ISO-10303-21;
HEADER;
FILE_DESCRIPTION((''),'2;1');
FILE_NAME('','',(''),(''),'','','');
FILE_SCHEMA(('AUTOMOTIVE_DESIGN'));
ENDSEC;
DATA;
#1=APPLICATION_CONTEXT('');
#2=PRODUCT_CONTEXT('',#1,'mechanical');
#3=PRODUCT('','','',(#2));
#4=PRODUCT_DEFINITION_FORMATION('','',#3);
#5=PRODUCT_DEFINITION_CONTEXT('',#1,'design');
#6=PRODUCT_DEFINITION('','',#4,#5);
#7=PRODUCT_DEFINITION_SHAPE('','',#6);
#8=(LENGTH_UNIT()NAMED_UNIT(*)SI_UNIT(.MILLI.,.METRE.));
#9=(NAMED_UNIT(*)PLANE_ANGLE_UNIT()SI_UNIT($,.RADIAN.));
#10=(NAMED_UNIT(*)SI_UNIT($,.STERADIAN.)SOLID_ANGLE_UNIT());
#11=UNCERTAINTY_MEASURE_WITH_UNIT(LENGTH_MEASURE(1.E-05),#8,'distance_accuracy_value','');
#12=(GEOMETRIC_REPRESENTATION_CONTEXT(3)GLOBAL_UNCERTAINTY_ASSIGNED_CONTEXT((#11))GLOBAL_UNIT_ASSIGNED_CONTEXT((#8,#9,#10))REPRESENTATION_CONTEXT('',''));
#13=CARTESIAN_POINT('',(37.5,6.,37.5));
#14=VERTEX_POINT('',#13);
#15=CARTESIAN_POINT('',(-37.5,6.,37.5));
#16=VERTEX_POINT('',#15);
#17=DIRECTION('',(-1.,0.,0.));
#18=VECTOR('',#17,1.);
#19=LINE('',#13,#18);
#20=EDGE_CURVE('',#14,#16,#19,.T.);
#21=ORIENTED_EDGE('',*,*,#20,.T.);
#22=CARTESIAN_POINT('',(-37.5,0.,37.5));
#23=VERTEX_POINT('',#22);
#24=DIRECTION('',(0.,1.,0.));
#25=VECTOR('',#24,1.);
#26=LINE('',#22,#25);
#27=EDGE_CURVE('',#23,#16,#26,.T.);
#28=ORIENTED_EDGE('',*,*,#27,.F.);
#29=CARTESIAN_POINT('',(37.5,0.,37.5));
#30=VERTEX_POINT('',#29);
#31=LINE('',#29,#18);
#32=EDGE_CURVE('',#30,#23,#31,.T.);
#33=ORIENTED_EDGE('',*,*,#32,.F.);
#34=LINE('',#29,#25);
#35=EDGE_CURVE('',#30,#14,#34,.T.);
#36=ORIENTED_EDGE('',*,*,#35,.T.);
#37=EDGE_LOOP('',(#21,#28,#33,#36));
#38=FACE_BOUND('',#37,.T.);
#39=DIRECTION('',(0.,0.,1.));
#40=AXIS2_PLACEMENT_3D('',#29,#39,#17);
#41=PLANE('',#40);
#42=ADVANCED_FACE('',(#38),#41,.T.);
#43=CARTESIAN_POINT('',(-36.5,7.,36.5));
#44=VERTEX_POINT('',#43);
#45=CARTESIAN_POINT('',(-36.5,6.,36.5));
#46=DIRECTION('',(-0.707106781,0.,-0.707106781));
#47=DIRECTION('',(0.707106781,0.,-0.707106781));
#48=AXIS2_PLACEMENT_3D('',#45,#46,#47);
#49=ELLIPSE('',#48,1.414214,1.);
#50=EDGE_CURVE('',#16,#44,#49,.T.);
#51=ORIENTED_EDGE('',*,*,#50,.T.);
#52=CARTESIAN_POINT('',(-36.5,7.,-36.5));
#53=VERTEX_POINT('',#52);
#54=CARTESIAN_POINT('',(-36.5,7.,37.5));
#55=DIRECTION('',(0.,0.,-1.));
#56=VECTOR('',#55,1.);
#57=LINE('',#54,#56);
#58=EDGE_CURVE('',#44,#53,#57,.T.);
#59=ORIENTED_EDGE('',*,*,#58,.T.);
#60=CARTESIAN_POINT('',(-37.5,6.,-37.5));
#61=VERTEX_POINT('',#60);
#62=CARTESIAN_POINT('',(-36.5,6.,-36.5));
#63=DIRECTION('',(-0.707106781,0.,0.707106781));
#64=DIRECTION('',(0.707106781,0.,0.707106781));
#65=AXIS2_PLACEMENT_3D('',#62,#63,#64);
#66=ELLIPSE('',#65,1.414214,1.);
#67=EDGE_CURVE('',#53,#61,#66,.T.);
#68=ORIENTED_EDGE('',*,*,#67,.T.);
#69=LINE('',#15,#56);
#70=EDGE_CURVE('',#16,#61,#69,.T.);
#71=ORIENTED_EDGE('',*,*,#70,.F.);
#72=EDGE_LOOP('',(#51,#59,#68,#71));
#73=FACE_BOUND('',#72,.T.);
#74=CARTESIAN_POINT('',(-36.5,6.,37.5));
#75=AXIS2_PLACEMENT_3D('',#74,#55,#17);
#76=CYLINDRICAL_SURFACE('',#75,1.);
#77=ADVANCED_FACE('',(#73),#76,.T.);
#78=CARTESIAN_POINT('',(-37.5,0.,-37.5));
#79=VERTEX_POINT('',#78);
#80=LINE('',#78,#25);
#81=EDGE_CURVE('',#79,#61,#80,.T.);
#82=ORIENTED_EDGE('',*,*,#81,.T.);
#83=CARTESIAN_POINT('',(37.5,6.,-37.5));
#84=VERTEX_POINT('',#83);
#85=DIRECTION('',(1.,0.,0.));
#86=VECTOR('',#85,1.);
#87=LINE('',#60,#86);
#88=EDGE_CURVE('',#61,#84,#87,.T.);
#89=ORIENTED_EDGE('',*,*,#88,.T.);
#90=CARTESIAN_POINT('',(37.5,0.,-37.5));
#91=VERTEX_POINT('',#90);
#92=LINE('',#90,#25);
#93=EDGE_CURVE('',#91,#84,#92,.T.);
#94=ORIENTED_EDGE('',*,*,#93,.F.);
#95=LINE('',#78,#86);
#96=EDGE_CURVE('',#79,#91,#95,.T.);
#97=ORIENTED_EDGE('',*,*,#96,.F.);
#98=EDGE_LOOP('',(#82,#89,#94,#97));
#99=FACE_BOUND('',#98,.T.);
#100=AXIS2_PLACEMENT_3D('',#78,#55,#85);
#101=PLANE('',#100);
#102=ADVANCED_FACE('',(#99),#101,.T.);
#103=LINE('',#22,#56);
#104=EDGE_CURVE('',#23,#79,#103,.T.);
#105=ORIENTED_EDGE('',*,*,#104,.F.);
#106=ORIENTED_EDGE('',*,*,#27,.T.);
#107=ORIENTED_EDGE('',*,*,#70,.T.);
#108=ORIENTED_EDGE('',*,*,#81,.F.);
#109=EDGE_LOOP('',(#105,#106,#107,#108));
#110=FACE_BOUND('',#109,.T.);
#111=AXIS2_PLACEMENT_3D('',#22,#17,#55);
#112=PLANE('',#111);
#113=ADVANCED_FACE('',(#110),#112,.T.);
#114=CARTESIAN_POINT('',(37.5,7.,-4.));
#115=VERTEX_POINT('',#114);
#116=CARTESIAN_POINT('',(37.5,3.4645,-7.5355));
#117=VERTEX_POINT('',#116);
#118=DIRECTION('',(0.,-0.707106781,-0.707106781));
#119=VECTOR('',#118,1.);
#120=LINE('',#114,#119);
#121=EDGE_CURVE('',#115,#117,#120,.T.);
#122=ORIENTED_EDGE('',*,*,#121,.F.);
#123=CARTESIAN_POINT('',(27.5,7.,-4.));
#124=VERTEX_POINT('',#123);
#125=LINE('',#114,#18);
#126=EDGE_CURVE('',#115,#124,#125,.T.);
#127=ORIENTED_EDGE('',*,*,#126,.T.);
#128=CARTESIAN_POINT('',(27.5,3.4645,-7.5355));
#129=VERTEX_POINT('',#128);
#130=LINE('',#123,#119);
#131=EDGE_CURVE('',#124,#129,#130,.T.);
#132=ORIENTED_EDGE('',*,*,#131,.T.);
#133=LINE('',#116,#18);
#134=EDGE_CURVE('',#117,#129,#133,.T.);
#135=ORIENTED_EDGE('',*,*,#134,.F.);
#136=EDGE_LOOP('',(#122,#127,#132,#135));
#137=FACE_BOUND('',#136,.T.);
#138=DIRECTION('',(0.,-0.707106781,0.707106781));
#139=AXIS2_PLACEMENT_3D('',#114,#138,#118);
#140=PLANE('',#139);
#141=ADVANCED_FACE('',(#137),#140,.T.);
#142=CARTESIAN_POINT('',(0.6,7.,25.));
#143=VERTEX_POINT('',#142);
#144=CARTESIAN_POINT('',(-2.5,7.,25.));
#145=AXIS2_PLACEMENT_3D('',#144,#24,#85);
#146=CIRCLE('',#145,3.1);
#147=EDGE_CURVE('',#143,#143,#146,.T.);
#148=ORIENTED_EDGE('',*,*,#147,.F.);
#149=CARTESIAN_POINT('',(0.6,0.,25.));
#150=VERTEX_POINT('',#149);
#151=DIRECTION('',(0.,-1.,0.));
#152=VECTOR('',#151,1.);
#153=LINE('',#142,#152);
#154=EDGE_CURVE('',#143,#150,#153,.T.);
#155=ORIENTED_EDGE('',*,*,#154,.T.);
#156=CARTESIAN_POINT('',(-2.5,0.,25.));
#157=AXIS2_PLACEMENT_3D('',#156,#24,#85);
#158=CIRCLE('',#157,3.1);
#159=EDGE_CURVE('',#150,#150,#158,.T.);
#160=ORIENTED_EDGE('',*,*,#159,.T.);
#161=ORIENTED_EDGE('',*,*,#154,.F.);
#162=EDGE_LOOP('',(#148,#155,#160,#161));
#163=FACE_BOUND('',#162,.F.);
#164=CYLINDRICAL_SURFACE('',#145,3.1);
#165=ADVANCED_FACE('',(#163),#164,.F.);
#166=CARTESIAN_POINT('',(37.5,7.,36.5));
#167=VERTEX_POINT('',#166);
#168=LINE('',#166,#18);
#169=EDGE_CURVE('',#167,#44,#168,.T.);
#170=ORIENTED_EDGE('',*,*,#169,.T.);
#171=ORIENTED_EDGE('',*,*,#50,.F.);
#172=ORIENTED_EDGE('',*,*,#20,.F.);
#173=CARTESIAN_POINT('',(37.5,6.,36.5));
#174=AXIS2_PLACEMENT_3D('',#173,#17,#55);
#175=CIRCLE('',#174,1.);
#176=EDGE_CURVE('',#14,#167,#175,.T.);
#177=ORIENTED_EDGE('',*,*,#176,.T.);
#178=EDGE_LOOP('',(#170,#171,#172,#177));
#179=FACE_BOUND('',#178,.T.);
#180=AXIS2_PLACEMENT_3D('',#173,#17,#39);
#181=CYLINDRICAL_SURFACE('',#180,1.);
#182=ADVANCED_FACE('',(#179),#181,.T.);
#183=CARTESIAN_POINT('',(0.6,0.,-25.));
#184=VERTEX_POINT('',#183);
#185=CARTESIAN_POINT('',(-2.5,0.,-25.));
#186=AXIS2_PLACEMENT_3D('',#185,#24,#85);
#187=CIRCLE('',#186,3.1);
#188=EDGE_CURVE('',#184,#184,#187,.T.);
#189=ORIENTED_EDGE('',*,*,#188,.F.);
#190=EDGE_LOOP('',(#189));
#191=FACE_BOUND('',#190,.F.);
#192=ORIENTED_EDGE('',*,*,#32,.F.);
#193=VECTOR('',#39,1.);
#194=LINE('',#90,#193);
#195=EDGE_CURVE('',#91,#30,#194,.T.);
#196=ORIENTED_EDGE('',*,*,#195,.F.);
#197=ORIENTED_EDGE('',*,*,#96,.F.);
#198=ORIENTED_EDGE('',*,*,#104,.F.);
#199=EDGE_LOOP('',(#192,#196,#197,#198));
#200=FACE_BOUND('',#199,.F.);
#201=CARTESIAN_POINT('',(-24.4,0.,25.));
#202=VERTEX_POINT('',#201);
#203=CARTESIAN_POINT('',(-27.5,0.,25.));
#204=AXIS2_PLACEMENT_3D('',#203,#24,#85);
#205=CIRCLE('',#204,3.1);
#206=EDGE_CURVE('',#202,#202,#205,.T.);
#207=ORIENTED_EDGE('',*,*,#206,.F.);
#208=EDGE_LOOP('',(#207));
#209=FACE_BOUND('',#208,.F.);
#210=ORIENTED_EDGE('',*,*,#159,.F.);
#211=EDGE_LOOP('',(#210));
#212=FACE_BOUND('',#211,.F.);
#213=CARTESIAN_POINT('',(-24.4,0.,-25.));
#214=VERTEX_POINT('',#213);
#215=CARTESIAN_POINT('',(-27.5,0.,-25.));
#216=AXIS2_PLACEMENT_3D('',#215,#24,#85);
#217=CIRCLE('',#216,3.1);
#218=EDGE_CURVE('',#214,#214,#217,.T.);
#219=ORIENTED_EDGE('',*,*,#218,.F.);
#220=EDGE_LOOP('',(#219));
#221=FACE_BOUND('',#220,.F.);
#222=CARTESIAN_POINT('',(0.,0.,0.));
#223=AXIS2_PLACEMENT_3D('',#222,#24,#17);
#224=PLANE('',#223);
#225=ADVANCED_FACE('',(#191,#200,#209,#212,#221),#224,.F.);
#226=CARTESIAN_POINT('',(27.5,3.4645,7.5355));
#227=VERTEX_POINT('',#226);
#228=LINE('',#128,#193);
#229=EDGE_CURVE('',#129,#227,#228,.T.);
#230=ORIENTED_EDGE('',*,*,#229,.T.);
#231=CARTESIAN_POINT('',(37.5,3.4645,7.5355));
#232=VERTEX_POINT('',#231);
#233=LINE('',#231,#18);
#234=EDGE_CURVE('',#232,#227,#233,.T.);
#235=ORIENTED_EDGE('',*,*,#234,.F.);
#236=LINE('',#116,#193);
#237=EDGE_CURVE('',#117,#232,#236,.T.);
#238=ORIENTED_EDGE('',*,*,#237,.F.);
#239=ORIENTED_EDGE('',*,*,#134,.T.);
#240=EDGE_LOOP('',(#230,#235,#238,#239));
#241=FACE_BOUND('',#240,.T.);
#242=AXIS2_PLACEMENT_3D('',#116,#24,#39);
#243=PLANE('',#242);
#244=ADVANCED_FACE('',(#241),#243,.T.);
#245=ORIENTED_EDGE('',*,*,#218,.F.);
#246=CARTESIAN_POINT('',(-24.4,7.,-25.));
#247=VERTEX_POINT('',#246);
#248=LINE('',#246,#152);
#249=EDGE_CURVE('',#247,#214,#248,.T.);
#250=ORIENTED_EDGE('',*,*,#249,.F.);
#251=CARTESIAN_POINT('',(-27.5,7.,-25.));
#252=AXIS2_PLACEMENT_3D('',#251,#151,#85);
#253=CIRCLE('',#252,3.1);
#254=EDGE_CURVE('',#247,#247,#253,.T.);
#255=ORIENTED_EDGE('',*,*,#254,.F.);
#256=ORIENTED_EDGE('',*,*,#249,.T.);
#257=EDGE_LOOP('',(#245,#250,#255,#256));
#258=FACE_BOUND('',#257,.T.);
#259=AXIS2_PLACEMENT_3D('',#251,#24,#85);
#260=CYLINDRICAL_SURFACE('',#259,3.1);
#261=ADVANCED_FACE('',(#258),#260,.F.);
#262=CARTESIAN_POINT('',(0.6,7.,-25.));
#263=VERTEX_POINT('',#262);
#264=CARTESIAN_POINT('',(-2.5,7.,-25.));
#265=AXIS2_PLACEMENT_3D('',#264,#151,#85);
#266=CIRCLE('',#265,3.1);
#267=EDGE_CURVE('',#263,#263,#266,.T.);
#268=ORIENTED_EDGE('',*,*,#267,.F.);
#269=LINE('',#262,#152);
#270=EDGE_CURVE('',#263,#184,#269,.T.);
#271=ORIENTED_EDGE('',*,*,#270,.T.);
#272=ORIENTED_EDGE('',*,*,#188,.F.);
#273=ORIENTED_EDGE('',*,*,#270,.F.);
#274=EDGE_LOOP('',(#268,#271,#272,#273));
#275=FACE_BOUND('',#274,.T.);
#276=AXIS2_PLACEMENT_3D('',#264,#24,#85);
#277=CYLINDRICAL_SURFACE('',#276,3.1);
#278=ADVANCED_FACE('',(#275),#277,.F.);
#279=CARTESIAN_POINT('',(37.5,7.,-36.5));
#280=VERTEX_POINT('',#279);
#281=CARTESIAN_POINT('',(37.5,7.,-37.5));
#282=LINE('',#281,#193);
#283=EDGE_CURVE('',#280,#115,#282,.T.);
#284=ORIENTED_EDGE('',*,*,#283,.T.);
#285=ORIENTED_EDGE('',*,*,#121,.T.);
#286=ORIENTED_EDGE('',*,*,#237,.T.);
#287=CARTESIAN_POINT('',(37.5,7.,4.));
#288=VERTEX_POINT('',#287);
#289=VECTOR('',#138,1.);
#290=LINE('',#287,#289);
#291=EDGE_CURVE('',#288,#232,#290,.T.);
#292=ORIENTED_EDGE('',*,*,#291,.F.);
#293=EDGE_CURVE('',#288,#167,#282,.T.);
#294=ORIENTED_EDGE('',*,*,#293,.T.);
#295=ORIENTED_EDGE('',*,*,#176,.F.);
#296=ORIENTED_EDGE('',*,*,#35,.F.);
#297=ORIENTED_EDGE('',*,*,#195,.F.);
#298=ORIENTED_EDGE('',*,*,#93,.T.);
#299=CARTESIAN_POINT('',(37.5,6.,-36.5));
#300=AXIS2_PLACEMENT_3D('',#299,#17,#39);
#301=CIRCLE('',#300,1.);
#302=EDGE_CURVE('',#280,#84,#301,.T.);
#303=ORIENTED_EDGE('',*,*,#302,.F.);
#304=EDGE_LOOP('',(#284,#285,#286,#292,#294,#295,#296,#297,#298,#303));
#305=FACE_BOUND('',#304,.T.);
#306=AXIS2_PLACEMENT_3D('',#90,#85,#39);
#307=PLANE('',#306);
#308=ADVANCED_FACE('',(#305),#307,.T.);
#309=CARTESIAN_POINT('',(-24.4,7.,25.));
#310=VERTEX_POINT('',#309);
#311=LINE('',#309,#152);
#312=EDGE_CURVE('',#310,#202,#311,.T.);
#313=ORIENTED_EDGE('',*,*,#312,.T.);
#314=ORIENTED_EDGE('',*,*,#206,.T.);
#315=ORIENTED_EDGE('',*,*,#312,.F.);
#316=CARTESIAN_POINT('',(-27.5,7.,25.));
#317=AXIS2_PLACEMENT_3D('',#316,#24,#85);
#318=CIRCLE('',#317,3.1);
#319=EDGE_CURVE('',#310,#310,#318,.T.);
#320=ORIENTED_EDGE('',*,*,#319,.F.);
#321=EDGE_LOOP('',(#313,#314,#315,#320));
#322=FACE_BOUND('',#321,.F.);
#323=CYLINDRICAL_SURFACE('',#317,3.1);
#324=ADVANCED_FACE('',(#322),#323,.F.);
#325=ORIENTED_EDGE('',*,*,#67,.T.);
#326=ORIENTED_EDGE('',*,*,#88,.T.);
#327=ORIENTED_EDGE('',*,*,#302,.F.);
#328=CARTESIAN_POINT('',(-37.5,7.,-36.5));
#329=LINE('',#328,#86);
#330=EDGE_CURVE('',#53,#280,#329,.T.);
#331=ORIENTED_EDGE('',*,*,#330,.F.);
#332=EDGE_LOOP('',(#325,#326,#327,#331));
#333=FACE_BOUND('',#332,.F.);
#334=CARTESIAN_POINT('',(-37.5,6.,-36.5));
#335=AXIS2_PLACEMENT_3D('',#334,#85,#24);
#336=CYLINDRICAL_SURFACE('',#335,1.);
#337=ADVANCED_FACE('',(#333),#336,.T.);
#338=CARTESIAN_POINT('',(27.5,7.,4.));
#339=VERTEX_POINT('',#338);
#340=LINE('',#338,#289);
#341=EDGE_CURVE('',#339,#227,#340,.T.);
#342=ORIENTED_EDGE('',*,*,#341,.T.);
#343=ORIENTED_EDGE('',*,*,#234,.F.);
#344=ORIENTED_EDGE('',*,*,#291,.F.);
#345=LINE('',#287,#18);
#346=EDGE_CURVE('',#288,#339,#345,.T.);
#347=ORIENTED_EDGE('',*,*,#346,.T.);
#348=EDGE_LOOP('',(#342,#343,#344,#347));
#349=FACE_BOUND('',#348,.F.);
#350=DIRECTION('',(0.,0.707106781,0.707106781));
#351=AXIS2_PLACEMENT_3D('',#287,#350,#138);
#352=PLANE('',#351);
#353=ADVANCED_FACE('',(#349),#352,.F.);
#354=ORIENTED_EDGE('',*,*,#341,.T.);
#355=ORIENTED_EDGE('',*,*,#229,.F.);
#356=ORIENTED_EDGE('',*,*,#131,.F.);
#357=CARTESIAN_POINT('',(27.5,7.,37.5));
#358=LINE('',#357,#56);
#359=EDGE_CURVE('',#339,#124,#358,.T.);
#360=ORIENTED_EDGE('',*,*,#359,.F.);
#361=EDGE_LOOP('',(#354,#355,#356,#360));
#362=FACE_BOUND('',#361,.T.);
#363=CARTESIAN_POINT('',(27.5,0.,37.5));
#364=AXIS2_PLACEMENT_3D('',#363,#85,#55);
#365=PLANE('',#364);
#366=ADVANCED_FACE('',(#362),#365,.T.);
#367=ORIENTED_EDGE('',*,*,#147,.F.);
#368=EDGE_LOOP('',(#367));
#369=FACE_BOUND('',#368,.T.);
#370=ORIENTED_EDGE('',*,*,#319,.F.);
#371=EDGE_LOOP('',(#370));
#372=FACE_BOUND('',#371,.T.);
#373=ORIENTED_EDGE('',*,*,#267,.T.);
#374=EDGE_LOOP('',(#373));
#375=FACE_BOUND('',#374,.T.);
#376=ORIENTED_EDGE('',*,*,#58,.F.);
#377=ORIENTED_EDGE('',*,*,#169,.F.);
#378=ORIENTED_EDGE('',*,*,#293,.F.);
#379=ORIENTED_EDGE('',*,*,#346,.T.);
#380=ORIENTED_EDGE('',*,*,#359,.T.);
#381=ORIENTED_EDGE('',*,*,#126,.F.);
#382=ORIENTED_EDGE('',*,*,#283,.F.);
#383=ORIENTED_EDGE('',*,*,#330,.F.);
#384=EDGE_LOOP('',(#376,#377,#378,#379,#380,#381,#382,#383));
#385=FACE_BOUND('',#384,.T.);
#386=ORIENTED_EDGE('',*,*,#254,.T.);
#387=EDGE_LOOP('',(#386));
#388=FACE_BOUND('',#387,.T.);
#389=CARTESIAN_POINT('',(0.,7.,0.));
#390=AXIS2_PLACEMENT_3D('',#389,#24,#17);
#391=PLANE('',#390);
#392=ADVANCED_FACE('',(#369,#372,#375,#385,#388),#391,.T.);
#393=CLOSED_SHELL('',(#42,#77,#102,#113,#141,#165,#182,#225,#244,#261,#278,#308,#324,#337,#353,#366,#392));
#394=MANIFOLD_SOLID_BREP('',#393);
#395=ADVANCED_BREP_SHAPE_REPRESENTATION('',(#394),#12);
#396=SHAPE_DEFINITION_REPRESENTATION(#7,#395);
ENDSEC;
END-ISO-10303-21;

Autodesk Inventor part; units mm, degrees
ref_plane "YZ Plane" through (0, 0, 0) normal (1, 0, 0) x (0, 1, 0)
ref_plane "XZ Plane" through (0, 0, 0) normal (0, 1, 0) x (-1, 0, 0)
ref_plane "XY Plane" through (0, 0, 0) normal (0, 0, 1) x (1, 0, 0)
sketch "Sketch1" plane through (0, 0, 0) normal (0, 1, 0) x (-1, 0, 0)
  line L0 (-37.5, 37.5) -> (37.5, 37.5)
  line L1 (37.5, 37.5) -> (37.5, -37.5)
  line L2 (37.5, -37.5) -> (-37.5, -37.5)
  line L3 (-37.5, -37.5) -> (-37.5, 37.5)
  line L4 (-37.5, 37.5) -> (37.5, -37.5) construction
  line L5 (37.5, 37.5) -> (-37.5, -37.5) construction
  point P0 (0, 0)
  dimension "d0" = 75
  dimension "d1" = 75
extrude "Extrusion1" add sketch "Sketch1" along normal blind 7
sketch "Sketch2" plane through (0, 7, 0) normal (0, 1, 0) x (1, 0, 0)
  circle A0 centre (-27.5, -25) radius 3.1
  line L0 (-37.5, -37.5) -> (37.5, -37.5) projected
  line L1 (37.5, -37.5) -> (37.5, 37.5) projected
  circle A1 centre (-2.5, -25) radius 3.1
  point P0 (0, 0)
  dimension "d4" = 6.2
  dimension "d5" = 12.5
  dimension "d6" = 65
  dimension "d19" = 6.2
  dimension "d20" = 12.5
  dimension "d21" = 40
extrude "Extrusion2" cut sketch "Sketch2" against normal through all
mirror "Mirror1" about plane through (0, 0, 0) normal (0, 0, 1) of "Extrusion2"
sketch "Sketch3" plane through (37.5, 0, 37.5) normal (1, 0, 0) x (0, 0, -1)
  line L0 (0, 7) -> (75, 7) projected
  line L1 (33.5, 7) -> (29.9645, 3.4645)
  line L2 (33.5, 7) -> (38.5, 7) construction
  line L3 (33.5, 7) -> (41.5, 7)
  line L4 (33.5, 7) -> (41.5, 7) construction
  line L5 (41.5, 7) -> (45.0355, 3.4645)
  line L6 (45.0355, 3.4645) -> (29.9645, 3.4645)
  point P0 (37.5, 0)
  dimension "d9" = 5
  dimension "d10" = 135
  dimension "d11" = 33.5
  dimension "d12" = 8
  dimension "d13" = 0
  dimension "d14" = 5
  dimension "d15" = 135
extrude "Extrusion3" cut sketch "Sketch3" against normal blind 10
fillet "Fillet1" radius 1 3 edges at (0, 7, -37.5) (-37.5, 7, 0) (0, 7, 37.5)
properties part number "Dovetail_holder_V3"
